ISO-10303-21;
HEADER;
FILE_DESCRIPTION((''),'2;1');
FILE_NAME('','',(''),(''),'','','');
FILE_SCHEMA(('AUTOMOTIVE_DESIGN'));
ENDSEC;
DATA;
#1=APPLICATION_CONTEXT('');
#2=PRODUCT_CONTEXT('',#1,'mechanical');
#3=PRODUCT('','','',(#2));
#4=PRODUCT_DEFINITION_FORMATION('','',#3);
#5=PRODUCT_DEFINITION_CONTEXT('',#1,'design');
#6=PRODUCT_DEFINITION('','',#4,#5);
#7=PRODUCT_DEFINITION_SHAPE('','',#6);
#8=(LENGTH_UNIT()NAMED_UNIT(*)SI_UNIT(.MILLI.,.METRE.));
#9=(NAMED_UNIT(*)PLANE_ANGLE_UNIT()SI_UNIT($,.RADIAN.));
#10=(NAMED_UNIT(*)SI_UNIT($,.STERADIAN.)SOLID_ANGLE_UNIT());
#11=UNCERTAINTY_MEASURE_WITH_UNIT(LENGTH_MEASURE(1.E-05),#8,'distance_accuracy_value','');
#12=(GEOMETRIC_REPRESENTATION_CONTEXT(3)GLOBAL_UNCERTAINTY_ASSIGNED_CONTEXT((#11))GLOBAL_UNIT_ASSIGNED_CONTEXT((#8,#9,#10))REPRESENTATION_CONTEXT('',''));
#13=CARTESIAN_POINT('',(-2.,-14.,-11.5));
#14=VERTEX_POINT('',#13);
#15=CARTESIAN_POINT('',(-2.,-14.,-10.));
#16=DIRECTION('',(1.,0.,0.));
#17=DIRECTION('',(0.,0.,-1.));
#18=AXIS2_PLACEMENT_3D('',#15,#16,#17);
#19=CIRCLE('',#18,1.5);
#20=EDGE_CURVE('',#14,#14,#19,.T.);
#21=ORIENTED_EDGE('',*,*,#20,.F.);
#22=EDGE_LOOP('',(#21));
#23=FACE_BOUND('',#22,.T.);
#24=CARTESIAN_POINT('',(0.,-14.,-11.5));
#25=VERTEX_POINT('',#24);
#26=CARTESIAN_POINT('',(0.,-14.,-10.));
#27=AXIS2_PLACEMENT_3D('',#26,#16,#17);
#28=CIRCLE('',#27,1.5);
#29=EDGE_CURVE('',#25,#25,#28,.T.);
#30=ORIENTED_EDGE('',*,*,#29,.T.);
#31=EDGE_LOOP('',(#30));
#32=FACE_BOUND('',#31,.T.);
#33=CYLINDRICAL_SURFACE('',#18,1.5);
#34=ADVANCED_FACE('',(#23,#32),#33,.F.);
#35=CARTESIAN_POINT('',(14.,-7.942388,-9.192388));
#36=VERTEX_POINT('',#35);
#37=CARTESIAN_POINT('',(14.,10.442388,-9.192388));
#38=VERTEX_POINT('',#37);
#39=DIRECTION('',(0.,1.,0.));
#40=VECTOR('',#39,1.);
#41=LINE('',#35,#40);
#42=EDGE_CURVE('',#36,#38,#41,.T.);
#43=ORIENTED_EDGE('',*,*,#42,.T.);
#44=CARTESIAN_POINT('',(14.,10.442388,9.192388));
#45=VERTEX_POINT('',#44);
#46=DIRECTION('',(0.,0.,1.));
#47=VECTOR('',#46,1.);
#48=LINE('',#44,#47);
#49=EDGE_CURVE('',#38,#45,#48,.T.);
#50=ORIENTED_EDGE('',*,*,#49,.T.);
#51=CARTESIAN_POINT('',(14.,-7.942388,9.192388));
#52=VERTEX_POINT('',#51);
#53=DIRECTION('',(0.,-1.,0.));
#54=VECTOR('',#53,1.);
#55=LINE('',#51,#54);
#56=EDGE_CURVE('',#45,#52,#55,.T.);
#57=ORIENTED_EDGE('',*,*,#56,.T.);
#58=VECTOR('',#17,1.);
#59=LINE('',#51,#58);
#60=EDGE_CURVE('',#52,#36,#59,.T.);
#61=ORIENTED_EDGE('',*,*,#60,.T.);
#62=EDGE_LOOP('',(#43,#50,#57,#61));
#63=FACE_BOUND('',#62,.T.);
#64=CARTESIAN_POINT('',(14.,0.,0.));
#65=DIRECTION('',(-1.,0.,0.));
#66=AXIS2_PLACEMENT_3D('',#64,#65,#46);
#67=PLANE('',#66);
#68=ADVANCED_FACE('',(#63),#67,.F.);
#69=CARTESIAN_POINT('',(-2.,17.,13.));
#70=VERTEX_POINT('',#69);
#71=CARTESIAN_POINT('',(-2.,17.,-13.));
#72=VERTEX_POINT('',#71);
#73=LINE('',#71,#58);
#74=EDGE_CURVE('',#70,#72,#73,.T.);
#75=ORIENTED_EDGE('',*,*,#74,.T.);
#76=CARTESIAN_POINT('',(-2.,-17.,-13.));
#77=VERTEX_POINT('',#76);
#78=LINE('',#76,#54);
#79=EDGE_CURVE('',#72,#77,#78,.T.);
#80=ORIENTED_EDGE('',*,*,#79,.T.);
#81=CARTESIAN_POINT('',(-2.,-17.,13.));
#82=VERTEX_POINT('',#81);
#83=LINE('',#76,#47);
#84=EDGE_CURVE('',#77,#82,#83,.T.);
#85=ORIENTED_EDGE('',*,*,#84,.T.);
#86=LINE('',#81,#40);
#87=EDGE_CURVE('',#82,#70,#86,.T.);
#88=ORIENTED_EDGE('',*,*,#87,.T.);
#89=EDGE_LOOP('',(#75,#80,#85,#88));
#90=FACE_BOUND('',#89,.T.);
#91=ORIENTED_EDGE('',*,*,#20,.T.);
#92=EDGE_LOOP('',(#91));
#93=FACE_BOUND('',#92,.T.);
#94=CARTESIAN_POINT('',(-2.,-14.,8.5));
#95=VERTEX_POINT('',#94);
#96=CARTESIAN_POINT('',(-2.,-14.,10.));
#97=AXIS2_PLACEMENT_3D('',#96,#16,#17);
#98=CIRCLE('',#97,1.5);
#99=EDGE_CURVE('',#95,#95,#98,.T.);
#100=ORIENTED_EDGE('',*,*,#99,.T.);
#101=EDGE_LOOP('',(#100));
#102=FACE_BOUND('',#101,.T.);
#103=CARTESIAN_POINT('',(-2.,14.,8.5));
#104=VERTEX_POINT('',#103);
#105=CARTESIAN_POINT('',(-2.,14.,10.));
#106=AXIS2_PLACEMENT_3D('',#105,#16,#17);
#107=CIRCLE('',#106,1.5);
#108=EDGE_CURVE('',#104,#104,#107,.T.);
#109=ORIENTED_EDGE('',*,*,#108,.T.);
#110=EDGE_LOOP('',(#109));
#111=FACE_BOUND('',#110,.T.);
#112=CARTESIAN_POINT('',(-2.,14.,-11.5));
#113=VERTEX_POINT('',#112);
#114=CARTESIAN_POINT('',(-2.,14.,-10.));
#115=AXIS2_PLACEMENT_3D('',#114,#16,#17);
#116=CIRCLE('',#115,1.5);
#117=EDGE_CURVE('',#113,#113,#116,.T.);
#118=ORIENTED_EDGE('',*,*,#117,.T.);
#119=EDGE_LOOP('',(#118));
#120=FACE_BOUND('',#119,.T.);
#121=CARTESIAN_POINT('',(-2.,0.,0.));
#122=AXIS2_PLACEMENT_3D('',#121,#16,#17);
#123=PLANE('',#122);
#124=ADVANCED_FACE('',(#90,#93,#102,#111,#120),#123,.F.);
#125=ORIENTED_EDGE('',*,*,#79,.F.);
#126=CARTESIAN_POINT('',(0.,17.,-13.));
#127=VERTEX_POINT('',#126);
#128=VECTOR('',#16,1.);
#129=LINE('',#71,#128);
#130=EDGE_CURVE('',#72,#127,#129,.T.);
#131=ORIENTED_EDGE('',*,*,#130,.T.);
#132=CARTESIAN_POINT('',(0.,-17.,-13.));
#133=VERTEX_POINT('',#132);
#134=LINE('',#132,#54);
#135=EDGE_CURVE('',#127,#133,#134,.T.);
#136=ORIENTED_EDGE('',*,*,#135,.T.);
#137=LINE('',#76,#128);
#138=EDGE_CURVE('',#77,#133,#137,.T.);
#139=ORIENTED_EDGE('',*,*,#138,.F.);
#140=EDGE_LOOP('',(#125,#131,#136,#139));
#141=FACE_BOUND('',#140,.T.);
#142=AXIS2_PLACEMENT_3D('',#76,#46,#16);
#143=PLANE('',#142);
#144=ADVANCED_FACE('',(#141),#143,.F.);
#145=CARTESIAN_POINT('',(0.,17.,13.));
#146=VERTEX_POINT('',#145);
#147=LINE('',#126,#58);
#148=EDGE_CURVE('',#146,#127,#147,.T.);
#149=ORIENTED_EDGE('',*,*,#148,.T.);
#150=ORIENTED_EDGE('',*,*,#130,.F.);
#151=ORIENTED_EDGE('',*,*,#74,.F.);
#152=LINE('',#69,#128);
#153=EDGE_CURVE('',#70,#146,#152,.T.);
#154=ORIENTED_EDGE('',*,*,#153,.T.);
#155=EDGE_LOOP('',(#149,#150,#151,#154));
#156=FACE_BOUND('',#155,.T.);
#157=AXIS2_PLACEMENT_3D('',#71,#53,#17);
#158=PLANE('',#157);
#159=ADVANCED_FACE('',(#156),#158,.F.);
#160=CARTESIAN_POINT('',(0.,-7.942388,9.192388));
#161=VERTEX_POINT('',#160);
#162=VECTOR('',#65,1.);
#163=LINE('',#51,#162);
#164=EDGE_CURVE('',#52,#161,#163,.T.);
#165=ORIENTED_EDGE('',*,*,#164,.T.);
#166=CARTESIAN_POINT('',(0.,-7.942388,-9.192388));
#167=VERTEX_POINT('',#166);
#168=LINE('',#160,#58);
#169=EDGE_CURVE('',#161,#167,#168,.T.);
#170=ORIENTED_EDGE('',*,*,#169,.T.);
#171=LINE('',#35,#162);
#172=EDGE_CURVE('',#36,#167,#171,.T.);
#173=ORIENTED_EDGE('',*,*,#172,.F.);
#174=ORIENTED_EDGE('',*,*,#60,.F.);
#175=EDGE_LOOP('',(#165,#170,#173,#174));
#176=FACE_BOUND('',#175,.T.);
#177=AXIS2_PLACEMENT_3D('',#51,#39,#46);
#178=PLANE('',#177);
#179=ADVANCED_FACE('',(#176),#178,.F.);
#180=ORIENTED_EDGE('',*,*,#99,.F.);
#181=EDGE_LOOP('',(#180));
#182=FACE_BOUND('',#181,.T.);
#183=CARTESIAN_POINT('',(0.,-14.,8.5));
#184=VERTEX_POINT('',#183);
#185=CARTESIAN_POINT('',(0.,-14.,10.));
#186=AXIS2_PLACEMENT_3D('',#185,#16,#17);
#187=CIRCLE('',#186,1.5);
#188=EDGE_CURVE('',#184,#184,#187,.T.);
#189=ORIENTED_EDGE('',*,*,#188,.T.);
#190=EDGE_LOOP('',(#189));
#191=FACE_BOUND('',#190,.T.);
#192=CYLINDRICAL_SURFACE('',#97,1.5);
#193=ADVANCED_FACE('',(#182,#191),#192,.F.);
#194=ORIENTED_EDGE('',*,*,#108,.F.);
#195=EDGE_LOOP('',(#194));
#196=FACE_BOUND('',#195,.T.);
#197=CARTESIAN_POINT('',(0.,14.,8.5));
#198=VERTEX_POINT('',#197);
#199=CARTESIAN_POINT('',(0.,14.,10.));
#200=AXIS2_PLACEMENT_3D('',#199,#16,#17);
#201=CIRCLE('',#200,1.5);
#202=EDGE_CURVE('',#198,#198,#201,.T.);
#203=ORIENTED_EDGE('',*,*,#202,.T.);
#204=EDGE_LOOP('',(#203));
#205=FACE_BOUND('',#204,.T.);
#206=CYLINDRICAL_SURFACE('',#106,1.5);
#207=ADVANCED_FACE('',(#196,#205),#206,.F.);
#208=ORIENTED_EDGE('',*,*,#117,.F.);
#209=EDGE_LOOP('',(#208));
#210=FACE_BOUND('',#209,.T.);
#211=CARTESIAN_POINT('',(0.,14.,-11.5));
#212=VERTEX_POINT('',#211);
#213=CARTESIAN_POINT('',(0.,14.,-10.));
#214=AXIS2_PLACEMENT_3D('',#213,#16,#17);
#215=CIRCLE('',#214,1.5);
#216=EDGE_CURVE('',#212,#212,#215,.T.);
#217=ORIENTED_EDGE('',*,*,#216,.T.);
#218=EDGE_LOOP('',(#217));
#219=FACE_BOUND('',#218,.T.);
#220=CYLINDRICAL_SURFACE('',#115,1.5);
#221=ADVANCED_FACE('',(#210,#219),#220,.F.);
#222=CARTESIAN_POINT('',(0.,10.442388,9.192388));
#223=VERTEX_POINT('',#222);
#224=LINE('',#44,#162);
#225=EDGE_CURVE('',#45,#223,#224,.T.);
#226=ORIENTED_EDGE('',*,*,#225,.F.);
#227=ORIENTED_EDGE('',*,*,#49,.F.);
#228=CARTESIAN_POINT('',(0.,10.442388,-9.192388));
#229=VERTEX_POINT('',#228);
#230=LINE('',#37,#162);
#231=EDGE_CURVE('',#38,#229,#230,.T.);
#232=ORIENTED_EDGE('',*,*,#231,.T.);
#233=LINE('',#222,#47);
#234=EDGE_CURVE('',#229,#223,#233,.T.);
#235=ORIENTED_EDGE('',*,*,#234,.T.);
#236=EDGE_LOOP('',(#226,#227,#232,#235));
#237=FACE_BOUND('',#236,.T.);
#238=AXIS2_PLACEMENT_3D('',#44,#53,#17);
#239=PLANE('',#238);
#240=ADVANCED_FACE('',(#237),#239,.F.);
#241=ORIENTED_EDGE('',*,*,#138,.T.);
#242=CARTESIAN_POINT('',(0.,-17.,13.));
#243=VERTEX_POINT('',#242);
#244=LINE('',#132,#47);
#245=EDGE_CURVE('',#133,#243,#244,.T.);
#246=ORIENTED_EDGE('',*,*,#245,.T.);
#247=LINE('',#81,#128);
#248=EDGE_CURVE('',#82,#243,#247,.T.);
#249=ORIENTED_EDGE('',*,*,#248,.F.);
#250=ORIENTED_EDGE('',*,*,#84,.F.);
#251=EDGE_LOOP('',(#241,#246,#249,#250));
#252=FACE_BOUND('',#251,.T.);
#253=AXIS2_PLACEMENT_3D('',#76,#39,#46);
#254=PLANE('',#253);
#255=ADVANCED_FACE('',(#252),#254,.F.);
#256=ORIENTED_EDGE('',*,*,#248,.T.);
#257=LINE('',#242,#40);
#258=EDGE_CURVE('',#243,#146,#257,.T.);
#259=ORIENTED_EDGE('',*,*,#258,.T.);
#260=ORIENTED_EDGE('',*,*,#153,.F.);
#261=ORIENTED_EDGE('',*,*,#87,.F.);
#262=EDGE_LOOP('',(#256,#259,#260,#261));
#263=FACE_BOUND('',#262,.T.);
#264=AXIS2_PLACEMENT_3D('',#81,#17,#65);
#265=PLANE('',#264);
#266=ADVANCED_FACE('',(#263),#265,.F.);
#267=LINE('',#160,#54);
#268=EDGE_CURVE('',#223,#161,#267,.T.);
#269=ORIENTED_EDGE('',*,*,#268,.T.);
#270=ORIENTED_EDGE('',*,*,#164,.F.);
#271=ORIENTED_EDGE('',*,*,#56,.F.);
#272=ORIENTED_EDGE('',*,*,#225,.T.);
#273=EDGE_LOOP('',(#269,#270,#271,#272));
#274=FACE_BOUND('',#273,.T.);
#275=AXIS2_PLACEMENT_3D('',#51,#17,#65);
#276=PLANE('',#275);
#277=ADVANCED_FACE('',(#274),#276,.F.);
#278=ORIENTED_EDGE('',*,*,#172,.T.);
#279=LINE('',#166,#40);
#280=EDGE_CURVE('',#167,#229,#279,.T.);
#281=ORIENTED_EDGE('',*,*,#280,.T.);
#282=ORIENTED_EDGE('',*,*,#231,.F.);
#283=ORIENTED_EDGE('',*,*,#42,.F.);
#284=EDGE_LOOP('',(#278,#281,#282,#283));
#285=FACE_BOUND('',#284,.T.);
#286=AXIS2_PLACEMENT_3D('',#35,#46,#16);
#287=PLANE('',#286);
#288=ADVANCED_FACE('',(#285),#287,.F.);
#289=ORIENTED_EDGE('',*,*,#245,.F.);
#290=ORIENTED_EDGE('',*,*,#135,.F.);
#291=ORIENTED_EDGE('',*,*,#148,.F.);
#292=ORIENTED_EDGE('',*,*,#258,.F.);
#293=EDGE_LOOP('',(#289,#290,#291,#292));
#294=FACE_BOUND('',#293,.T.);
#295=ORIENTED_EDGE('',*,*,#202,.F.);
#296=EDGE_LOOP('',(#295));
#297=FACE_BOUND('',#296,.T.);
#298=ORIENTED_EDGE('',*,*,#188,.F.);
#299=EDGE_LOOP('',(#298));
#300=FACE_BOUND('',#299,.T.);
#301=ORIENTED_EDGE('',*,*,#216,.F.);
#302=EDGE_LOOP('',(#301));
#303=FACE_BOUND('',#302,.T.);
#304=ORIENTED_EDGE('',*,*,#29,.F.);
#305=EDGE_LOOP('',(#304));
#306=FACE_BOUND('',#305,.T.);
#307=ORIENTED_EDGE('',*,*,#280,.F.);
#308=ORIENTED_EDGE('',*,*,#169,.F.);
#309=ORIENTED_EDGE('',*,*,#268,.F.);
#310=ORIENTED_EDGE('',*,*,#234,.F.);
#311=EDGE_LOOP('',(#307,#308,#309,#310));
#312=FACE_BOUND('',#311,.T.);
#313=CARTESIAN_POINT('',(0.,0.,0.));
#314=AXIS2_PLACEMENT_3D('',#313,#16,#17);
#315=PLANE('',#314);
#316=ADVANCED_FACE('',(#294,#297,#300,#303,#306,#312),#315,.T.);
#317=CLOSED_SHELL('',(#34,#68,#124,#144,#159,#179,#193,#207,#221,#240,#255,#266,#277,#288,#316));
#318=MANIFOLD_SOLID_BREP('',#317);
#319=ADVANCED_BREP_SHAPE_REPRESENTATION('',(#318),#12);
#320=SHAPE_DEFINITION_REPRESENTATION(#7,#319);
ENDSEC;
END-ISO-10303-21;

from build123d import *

# Parameters (mm, degrees)
SKETCH_1_W          = 18.38477631
SKETCH_1_H          = 18.38477631
EXTRUDE_2_DEPTH     = 14
SKETCH_5_W          = 26
SKETCH_5_H          = 34
EXTRUDE_4_DEPTH     = 2
SKETCH_6_R          = 1.5
CUT_EXTRUDE_1_DEPTH = 2


with BuildPart() as part:
    # 草图1 → 凸台-拉伸2 (new body)
    with BuildSketch(Plane(origin=(0, 0, 0), x_dir=(0, 0, -1), z_dir=(1, 0, 0))):
        with Locations((0, 1.25)):
            Rectangle(SKETCH_1_W, SKETCH_1_H)
    extrude(amount=EXTRUDE_2_DEPTH)

    # 草图5 → 凸台-拉伸4 (add)
    with BuildSketch(Plane.ZY):
        Rectangle(SKETCH_5_W, SKETCH_5_H)
    extrude(amount=EXTRUDE_4_DEPTH)

    # 草图6 → 切除-拉伸1 (cut)
    with BuildSketch(Plane(origin=(0, 0, 0), x_dir=(0, 0, -1), z_dir=(1, 0, 0))):
        with Locations((-10, 14)):
            Circle(SKETCH_6_R)
        with Locations((10, 14)):
            Circle(SKETCH_6_R)
        with Locations((-10, -14)):
            Circle(SKETCH_6_R)
        with Locations((10, -14)):
            Circle(SKETCH_6_R)
    extrude(amount=-CUT_EXTRUDE_1_DEPTH, mode=Mode.SUBTRACT)


solid = part.part
